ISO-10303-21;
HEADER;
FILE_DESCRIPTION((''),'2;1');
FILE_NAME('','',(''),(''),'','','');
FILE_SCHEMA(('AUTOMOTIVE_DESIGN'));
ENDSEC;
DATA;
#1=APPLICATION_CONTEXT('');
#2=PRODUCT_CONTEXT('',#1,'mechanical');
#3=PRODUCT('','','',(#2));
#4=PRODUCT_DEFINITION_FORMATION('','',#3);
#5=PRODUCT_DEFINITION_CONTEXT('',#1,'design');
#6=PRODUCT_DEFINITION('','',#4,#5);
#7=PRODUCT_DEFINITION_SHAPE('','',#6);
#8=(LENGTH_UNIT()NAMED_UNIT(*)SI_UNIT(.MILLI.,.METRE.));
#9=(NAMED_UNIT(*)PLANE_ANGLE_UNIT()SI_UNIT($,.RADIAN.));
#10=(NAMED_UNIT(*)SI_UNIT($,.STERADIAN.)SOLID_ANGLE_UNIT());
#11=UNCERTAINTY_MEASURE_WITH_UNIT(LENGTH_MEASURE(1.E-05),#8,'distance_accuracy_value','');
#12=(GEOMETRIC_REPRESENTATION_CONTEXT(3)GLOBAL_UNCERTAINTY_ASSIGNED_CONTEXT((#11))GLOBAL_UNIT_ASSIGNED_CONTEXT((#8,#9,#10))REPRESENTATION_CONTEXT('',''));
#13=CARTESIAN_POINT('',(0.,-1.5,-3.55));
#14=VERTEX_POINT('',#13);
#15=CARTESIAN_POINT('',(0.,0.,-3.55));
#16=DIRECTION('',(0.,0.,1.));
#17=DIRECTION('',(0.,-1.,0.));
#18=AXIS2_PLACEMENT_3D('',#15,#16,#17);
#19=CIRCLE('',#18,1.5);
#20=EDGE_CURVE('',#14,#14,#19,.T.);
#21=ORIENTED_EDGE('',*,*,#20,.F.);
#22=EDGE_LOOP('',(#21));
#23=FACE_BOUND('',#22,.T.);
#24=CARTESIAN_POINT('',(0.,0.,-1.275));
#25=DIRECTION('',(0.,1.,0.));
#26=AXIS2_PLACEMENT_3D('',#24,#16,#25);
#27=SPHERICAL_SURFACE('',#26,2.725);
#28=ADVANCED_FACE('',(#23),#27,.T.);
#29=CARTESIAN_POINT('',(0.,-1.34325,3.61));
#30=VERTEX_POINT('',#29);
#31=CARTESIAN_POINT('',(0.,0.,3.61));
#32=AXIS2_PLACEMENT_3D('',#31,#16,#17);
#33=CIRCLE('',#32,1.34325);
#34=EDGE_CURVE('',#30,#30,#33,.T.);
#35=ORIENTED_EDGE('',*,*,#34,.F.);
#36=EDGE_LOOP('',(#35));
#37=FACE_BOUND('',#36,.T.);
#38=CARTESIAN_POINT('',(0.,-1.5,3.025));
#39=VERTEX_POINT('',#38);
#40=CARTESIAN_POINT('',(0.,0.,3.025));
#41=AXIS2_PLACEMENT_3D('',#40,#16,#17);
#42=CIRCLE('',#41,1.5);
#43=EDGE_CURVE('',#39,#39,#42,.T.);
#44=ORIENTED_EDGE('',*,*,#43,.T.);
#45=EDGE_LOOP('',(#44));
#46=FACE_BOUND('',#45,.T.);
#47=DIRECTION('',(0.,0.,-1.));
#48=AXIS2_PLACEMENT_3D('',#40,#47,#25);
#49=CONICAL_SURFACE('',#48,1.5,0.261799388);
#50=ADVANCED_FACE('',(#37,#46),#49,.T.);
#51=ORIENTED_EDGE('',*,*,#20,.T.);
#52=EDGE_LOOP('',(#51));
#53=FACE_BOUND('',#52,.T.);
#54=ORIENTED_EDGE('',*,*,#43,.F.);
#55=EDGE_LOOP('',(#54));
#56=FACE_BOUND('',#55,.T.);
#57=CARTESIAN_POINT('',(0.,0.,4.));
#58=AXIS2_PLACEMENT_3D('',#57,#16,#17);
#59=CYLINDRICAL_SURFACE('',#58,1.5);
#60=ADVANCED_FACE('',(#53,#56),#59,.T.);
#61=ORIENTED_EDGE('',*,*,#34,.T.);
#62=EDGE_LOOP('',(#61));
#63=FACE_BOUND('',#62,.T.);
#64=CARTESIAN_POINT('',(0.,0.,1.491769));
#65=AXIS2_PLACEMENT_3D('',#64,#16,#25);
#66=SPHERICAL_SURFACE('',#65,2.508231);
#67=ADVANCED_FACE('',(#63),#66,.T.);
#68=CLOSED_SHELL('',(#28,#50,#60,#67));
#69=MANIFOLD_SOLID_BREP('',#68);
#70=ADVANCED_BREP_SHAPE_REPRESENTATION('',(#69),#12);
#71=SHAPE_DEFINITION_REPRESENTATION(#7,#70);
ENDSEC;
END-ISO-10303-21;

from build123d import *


with BuildPart() as part:
    # Sketch3 → Revolve1 (revolve)
    with BuildSketch(Plane(origin=(0, 0, 0), x_dir=(0, 0, -1), z_dir=(1, 0, 0))):
        with BuildLine():
            Line((-4, 0), (4, 0))
            ThreePointArc((4, 0), (3.885076627, 0.783022988), (3.55, 1.5))
            Line((3.55, 1.5), (-3.025, 1.5))
            Line((-3.025, 1.5), (-3.61, 1.343249722))
            ThreePointArc((-3.61, 1.343249722), (-3.90052754, 0.699360389), (-4, 0))
        make_face()
    revolve(axis=Axis((0, 0, 4), (0, 0, -1)))


solid = part.part
